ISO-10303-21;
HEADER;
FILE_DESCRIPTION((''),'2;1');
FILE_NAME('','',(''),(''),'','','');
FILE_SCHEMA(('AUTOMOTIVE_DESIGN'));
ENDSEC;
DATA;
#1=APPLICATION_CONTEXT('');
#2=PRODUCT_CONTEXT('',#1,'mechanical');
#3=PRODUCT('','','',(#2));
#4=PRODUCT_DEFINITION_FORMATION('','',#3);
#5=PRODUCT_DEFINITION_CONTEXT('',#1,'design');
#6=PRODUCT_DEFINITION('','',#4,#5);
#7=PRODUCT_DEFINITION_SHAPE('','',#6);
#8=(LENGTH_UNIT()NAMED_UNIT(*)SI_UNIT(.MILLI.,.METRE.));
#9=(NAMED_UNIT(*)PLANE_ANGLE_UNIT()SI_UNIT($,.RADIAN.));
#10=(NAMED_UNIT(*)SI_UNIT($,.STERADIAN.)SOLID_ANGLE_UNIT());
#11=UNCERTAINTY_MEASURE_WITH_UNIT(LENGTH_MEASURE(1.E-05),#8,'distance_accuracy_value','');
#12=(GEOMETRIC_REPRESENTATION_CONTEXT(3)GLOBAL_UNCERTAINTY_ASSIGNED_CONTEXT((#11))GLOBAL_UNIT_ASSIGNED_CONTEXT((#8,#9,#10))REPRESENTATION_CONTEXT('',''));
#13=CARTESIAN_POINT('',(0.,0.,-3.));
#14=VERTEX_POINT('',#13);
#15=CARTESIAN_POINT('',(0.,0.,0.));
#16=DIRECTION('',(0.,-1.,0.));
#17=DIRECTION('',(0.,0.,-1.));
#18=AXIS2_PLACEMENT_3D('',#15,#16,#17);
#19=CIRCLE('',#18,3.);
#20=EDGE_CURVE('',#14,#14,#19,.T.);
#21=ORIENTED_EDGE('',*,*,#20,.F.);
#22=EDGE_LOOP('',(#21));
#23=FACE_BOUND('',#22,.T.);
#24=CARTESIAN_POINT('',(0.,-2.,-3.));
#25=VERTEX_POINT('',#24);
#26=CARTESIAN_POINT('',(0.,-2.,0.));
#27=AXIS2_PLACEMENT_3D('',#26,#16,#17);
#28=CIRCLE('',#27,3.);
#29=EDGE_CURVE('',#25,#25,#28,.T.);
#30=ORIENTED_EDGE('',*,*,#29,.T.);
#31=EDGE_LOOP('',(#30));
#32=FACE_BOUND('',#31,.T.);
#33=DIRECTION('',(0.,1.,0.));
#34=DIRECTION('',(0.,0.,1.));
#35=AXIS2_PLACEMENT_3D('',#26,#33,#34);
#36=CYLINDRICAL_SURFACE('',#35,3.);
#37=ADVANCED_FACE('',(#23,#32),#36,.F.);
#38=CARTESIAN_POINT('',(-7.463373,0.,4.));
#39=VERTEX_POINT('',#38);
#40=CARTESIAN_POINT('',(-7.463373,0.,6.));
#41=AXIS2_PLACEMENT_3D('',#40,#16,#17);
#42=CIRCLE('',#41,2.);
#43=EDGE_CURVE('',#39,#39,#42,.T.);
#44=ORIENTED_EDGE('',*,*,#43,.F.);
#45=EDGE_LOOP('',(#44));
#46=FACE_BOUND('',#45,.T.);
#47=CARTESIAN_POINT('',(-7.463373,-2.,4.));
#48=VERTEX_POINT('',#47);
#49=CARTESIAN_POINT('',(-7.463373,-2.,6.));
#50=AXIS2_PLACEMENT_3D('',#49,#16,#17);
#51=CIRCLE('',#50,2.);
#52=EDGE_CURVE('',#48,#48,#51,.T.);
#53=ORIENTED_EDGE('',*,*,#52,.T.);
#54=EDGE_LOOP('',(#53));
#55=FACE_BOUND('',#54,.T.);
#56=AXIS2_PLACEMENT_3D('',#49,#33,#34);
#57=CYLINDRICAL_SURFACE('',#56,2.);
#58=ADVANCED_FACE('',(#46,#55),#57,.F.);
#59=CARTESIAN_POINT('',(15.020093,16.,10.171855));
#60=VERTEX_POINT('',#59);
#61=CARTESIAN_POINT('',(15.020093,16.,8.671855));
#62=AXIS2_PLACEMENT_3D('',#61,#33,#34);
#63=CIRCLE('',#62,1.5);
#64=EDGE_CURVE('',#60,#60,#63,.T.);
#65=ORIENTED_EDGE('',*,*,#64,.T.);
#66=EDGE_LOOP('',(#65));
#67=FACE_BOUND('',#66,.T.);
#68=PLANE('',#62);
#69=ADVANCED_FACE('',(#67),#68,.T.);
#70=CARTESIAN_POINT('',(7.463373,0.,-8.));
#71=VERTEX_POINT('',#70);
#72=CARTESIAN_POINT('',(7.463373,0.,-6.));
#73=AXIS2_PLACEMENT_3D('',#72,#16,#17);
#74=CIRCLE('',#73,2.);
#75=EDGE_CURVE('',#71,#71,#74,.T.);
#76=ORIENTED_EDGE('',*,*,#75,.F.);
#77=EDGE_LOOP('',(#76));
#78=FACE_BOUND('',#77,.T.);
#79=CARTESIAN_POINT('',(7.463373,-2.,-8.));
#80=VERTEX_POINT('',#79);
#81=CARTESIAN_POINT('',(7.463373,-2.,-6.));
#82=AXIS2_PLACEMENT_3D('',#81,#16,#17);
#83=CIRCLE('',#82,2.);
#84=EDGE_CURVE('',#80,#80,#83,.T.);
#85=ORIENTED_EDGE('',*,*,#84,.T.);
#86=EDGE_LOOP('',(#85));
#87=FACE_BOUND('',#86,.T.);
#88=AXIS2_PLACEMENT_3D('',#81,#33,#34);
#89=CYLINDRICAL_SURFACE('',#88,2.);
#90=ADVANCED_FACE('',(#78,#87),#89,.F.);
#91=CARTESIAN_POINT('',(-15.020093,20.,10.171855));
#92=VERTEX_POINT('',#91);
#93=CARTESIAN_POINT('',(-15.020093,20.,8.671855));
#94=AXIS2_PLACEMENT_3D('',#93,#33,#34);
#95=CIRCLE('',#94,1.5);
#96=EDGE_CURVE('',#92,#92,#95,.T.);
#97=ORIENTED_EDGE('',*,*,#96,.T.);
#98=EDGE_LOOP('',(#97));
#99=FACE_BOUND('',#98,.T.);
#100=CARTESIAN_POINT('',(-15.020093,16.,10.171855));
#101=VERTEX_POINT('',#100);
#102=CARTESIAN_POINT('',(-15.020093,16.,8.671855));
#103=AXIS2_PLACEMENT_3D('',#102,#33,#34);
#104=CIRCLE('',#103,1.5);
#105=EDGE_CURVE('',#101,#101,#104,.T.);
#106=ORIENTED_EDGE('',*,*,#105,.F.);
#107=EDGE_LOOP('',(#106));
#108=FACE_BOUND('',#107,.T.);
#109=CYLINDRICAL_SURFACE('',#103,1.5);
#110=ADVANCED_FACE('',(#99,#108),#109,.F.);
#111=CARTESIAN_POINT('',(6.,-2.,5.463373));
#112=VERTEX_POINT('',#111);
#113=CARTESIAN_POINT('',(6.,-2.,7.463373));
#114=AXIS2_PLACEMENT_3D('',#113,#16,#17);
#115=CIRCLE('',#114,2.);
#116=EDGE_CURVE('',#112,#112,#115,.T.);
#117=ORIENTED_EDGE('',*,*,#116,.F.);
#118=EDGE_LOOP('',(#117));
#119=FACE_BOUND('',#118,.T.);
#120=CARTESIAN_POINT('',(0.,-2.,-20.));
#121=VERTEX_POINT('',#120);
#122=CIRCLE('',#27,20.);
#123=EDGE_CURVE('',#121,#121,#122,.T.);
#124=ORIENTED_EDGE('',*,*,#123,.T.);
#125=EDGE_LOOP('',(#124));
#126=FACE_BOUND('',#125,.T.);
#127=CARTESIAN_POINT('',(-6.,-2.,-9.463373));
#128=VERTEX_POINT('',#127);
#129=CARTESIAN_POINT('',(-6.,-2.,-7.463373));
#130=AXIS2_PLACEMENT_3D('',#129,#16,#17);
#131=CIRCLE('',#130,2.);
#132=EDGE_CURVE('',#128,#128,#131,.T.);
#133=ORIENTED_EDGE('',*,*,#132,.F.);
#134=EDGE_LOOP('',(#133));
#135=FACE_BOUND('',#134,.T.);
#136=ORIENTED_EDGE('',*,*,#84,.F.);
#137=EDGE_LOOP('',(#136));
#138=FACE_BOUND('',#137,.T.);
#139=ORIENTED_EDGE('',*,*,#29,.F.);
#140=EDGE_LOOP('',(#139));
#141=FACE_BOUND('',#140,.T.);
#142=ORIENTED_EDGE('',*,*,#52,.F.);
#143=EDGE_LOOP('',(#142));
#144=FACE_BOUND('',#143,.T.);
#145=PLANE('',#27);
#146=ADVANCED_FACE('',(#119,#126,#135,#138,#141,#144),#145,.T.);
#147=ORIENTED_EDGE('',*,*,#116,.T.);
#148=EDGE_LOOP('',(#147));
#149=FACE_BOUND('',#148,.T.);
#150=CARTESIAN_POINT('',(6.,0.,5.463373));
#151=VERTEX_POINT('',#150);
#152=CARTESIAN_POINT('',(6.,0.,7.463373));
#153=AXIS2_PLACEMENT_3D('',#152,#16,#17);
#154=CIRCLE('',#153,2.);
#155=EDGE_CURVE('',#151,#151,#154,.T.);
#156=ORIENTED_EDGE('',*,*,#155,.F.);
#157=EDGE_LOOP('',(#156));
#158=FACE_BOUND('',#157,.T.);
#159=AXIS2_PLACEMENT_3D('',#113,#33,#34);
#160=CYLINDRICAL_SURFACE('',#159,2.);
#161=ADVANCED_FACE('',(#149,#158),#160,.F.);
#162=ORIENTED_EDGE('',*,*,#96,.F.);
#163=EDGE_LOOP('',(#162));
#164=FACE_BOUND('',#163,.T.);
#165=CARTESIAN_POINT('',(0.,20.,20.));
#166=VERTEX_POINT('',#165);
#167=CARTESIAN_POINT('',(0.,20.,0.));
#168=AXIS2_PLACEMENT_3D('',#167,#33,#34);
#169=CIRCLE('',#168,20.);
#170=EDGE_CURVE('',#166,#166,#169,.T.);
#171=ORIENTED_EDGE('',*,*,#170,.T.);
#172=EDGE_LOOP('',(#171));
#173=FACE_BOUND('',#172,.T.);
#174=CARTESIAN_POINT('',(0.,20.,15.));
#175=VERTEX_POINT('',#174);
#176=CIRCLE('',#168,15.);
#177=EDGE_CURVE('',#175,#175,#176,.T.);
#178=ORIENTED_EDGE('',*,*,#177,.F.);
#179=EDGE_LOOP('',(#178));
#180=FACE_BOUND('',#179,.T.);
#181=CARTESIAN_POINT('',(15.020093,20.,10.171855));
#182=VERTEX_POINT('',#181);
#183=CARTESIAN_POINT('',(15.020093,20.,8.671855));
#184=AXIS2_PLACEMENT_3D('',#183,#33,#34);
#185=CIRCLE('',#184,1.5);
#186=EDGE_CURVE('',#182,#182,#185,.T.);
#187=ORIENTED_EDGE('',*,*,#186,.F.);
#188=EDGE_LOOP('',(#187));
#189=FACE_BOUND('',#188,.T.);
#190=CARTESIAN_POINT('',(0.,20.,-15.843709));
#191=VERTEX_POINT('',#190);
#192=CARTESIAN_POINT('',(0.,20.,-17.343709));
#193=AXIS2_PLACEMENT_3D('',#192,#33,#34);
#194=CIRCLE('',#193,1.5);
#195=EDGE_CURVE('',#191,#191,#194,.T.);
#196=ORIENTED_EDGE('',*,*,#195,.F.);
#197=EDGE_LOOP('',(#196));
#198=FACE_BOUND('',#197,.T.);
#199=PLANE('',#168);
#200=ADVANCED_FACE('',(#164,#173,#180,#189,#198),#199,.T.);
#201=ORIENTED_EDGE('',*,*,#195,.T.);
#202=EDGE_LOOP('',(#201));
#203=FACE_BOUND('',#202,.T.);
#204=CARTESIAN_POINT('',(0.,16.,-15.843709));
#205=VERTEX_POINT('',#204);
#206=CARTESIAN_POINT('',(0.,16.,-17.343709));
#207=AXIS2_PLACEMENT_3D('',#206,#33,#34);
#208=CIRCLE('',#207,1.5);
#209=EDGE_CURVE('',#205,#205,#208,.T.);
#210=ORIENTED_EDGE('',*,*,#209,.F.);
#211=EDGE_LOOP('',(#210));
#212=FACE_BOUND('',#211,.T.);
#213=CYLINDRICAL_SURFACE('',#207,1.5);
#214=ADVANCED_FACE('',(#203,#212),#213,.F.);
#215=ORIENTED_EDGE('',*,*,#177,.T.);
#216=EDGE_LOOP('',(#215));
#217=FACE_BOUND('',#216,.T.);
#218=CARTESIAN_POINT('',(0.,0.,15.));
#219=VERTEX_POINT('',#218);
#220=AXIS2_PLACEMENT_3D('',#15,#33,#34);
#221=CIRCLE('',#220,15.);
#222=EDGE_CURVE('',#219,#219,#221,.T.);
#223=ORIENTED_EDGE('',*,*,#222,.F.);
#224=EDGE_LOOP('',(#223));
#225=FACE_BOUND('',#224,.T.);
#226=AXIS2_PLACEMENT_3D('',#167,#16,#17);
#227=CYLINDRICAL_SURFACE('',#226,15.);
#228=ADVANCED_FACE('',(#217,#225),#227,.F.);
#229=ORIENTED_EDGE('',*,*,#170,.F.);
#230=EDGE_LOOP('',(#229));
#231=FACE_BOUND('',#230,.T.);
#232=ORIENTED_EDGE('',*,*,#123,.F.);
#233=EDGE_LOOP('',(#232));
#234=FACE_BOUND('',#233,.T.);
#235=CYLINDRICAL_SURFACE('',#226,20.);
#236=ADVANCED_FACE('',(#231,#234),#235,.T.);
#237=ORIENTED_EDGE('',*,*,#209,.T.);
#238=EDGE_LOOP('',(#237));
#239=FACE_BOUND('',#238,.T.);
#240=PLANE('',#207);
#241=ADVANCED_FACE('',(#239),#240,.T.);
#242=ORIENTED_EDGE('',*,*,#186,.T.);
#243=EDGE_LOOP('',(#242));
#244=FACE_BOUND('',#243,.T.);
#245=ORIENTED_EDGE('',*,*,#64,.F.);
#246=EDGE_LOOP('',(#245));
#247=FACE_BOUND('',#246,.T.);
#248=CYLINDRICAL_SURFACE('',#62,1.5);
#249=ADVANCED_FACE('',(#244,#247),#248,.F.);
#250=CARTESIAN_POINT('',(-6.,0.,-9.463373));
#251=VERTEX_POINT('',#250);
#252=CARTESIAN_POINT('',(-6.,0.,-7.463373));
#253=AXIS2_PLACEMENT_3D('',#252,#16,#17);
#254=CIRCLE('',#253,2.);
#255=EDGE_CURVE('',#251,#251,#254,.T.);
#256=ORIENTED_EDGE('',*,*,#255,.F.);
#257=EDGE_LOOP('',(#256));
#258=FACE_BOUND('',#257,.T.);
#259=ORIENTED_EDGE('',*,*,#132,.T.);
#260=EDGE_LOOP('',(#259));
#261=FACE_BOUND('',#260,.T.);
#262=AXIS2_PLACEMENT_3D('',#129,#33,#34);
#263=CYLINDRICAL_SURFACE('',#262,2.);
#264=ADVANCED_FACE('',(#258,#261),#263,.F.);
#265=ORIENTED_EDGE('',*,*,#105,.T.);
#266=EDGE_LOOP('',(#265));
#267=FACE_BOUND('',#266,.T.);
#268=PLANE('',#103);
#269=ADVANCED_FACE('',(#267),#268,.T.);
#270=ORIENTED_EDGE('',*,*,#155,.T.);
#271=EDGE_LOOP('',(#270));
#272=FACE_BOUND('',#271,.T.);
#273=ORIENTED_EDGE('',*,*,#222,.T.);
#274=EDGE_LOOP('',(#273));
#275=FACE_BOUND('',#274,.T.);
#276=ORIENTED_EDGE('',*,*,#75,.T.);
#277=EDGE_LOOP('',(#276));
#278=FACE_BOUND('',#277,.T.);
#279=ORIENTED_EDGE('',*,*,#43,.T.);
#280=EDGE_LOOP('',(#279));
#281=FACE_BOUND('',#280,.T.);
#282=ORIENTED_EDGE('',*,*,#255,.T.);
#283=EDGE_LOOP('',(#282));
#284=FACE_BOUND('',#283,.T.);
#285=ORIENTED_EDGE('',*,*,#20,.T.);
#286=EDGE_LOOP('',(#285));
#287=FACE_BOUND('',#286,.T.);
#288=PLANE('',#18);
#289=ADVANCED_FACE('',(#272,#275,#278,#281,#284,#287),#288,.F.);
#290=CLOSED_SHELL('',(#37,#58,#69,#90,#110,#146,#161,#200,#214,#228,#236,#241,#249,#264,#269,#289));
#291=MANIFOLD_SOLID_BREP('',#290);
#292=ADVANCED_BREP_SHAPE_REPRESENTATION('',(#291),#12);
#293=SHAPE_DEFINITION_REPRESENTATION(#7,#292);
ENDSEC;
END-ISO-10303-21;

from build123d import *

# Parameters (mm, degrees)
SKETCH1_R           = 20
SKETCH1_R_2         = 15
BOSS_EXTRUDE1_DEPTH = 20
SKETCH2_R           = 20
SKETCH2_R_2         = 3
SKETCH2_R_3         = 2
BOSS_EXTRUDE2_DEPTH = 2
SKETCH3_R           = 1.5
CUT_EXTRUDE1_DEPTH  = 4


with BuildPart() as part:
    # Sketch1 → Boss-Extrude1 (new body)
    with BuildSketch(Plane(origin=(0, 0, 0), x_dir=(1, 0, 0), z_dir=(0, 1, 0))):
        Circle(SKETCH1_R)
        Circle(SKETCH1_R_2, mode=Mode.SUBTRACT)
    extrude(amount=BOSS_EXTRUDE1_DEPTH)

    # Sketch2 → Boss-Extrude2 (add)
    with BuildSketch(Plane.XZ):
        Circle(SKETCH2_R)
        Circle(SKETCH2_R_2, mode=Mode.SUBTRACT)
        with Locations((6, 7.463372557)):
            Circle(SKETCH2_R_3, mode=Mode.SUBTRACT)
        with Locations((7.463372557, -6)):
            Circle(SKETCH2_R_3, mode=Mode.SUBTRACT)
        with Locations((-6, -7.463372557)):
            Circle(SKETCH2_R_3, mode=Mode.SUBTRACT)
        with Locations((-7.463372557, 6)):
            Circle(SKETCH2_R_3, mode=Mode.SUBTRACT)
    extrude(amount=BOSS_EXTRUDE2_DEPTH)

    # Sketch3 → Cut-Extrude1 (cut)
    with BuildSketch(Plane(origin=(0, 20, 0), x_dir=(1, 0, 0), z_dir=(0, 1, 0))):
        with Locations((0, 17.343709181)):
            Circle(SKETCH3_R)
        with Locations((15.020092746, -8.67185459)):
            Circle(SKETCH3_R)
        with Locations((-15.020092746, -8.67185459)):
            Circle(SKETCH3_R)
    extrude(amount=-CUT_EXTRUDE1_DEPTH, mode=Mode.SUBTRACT)


solid = part.part
